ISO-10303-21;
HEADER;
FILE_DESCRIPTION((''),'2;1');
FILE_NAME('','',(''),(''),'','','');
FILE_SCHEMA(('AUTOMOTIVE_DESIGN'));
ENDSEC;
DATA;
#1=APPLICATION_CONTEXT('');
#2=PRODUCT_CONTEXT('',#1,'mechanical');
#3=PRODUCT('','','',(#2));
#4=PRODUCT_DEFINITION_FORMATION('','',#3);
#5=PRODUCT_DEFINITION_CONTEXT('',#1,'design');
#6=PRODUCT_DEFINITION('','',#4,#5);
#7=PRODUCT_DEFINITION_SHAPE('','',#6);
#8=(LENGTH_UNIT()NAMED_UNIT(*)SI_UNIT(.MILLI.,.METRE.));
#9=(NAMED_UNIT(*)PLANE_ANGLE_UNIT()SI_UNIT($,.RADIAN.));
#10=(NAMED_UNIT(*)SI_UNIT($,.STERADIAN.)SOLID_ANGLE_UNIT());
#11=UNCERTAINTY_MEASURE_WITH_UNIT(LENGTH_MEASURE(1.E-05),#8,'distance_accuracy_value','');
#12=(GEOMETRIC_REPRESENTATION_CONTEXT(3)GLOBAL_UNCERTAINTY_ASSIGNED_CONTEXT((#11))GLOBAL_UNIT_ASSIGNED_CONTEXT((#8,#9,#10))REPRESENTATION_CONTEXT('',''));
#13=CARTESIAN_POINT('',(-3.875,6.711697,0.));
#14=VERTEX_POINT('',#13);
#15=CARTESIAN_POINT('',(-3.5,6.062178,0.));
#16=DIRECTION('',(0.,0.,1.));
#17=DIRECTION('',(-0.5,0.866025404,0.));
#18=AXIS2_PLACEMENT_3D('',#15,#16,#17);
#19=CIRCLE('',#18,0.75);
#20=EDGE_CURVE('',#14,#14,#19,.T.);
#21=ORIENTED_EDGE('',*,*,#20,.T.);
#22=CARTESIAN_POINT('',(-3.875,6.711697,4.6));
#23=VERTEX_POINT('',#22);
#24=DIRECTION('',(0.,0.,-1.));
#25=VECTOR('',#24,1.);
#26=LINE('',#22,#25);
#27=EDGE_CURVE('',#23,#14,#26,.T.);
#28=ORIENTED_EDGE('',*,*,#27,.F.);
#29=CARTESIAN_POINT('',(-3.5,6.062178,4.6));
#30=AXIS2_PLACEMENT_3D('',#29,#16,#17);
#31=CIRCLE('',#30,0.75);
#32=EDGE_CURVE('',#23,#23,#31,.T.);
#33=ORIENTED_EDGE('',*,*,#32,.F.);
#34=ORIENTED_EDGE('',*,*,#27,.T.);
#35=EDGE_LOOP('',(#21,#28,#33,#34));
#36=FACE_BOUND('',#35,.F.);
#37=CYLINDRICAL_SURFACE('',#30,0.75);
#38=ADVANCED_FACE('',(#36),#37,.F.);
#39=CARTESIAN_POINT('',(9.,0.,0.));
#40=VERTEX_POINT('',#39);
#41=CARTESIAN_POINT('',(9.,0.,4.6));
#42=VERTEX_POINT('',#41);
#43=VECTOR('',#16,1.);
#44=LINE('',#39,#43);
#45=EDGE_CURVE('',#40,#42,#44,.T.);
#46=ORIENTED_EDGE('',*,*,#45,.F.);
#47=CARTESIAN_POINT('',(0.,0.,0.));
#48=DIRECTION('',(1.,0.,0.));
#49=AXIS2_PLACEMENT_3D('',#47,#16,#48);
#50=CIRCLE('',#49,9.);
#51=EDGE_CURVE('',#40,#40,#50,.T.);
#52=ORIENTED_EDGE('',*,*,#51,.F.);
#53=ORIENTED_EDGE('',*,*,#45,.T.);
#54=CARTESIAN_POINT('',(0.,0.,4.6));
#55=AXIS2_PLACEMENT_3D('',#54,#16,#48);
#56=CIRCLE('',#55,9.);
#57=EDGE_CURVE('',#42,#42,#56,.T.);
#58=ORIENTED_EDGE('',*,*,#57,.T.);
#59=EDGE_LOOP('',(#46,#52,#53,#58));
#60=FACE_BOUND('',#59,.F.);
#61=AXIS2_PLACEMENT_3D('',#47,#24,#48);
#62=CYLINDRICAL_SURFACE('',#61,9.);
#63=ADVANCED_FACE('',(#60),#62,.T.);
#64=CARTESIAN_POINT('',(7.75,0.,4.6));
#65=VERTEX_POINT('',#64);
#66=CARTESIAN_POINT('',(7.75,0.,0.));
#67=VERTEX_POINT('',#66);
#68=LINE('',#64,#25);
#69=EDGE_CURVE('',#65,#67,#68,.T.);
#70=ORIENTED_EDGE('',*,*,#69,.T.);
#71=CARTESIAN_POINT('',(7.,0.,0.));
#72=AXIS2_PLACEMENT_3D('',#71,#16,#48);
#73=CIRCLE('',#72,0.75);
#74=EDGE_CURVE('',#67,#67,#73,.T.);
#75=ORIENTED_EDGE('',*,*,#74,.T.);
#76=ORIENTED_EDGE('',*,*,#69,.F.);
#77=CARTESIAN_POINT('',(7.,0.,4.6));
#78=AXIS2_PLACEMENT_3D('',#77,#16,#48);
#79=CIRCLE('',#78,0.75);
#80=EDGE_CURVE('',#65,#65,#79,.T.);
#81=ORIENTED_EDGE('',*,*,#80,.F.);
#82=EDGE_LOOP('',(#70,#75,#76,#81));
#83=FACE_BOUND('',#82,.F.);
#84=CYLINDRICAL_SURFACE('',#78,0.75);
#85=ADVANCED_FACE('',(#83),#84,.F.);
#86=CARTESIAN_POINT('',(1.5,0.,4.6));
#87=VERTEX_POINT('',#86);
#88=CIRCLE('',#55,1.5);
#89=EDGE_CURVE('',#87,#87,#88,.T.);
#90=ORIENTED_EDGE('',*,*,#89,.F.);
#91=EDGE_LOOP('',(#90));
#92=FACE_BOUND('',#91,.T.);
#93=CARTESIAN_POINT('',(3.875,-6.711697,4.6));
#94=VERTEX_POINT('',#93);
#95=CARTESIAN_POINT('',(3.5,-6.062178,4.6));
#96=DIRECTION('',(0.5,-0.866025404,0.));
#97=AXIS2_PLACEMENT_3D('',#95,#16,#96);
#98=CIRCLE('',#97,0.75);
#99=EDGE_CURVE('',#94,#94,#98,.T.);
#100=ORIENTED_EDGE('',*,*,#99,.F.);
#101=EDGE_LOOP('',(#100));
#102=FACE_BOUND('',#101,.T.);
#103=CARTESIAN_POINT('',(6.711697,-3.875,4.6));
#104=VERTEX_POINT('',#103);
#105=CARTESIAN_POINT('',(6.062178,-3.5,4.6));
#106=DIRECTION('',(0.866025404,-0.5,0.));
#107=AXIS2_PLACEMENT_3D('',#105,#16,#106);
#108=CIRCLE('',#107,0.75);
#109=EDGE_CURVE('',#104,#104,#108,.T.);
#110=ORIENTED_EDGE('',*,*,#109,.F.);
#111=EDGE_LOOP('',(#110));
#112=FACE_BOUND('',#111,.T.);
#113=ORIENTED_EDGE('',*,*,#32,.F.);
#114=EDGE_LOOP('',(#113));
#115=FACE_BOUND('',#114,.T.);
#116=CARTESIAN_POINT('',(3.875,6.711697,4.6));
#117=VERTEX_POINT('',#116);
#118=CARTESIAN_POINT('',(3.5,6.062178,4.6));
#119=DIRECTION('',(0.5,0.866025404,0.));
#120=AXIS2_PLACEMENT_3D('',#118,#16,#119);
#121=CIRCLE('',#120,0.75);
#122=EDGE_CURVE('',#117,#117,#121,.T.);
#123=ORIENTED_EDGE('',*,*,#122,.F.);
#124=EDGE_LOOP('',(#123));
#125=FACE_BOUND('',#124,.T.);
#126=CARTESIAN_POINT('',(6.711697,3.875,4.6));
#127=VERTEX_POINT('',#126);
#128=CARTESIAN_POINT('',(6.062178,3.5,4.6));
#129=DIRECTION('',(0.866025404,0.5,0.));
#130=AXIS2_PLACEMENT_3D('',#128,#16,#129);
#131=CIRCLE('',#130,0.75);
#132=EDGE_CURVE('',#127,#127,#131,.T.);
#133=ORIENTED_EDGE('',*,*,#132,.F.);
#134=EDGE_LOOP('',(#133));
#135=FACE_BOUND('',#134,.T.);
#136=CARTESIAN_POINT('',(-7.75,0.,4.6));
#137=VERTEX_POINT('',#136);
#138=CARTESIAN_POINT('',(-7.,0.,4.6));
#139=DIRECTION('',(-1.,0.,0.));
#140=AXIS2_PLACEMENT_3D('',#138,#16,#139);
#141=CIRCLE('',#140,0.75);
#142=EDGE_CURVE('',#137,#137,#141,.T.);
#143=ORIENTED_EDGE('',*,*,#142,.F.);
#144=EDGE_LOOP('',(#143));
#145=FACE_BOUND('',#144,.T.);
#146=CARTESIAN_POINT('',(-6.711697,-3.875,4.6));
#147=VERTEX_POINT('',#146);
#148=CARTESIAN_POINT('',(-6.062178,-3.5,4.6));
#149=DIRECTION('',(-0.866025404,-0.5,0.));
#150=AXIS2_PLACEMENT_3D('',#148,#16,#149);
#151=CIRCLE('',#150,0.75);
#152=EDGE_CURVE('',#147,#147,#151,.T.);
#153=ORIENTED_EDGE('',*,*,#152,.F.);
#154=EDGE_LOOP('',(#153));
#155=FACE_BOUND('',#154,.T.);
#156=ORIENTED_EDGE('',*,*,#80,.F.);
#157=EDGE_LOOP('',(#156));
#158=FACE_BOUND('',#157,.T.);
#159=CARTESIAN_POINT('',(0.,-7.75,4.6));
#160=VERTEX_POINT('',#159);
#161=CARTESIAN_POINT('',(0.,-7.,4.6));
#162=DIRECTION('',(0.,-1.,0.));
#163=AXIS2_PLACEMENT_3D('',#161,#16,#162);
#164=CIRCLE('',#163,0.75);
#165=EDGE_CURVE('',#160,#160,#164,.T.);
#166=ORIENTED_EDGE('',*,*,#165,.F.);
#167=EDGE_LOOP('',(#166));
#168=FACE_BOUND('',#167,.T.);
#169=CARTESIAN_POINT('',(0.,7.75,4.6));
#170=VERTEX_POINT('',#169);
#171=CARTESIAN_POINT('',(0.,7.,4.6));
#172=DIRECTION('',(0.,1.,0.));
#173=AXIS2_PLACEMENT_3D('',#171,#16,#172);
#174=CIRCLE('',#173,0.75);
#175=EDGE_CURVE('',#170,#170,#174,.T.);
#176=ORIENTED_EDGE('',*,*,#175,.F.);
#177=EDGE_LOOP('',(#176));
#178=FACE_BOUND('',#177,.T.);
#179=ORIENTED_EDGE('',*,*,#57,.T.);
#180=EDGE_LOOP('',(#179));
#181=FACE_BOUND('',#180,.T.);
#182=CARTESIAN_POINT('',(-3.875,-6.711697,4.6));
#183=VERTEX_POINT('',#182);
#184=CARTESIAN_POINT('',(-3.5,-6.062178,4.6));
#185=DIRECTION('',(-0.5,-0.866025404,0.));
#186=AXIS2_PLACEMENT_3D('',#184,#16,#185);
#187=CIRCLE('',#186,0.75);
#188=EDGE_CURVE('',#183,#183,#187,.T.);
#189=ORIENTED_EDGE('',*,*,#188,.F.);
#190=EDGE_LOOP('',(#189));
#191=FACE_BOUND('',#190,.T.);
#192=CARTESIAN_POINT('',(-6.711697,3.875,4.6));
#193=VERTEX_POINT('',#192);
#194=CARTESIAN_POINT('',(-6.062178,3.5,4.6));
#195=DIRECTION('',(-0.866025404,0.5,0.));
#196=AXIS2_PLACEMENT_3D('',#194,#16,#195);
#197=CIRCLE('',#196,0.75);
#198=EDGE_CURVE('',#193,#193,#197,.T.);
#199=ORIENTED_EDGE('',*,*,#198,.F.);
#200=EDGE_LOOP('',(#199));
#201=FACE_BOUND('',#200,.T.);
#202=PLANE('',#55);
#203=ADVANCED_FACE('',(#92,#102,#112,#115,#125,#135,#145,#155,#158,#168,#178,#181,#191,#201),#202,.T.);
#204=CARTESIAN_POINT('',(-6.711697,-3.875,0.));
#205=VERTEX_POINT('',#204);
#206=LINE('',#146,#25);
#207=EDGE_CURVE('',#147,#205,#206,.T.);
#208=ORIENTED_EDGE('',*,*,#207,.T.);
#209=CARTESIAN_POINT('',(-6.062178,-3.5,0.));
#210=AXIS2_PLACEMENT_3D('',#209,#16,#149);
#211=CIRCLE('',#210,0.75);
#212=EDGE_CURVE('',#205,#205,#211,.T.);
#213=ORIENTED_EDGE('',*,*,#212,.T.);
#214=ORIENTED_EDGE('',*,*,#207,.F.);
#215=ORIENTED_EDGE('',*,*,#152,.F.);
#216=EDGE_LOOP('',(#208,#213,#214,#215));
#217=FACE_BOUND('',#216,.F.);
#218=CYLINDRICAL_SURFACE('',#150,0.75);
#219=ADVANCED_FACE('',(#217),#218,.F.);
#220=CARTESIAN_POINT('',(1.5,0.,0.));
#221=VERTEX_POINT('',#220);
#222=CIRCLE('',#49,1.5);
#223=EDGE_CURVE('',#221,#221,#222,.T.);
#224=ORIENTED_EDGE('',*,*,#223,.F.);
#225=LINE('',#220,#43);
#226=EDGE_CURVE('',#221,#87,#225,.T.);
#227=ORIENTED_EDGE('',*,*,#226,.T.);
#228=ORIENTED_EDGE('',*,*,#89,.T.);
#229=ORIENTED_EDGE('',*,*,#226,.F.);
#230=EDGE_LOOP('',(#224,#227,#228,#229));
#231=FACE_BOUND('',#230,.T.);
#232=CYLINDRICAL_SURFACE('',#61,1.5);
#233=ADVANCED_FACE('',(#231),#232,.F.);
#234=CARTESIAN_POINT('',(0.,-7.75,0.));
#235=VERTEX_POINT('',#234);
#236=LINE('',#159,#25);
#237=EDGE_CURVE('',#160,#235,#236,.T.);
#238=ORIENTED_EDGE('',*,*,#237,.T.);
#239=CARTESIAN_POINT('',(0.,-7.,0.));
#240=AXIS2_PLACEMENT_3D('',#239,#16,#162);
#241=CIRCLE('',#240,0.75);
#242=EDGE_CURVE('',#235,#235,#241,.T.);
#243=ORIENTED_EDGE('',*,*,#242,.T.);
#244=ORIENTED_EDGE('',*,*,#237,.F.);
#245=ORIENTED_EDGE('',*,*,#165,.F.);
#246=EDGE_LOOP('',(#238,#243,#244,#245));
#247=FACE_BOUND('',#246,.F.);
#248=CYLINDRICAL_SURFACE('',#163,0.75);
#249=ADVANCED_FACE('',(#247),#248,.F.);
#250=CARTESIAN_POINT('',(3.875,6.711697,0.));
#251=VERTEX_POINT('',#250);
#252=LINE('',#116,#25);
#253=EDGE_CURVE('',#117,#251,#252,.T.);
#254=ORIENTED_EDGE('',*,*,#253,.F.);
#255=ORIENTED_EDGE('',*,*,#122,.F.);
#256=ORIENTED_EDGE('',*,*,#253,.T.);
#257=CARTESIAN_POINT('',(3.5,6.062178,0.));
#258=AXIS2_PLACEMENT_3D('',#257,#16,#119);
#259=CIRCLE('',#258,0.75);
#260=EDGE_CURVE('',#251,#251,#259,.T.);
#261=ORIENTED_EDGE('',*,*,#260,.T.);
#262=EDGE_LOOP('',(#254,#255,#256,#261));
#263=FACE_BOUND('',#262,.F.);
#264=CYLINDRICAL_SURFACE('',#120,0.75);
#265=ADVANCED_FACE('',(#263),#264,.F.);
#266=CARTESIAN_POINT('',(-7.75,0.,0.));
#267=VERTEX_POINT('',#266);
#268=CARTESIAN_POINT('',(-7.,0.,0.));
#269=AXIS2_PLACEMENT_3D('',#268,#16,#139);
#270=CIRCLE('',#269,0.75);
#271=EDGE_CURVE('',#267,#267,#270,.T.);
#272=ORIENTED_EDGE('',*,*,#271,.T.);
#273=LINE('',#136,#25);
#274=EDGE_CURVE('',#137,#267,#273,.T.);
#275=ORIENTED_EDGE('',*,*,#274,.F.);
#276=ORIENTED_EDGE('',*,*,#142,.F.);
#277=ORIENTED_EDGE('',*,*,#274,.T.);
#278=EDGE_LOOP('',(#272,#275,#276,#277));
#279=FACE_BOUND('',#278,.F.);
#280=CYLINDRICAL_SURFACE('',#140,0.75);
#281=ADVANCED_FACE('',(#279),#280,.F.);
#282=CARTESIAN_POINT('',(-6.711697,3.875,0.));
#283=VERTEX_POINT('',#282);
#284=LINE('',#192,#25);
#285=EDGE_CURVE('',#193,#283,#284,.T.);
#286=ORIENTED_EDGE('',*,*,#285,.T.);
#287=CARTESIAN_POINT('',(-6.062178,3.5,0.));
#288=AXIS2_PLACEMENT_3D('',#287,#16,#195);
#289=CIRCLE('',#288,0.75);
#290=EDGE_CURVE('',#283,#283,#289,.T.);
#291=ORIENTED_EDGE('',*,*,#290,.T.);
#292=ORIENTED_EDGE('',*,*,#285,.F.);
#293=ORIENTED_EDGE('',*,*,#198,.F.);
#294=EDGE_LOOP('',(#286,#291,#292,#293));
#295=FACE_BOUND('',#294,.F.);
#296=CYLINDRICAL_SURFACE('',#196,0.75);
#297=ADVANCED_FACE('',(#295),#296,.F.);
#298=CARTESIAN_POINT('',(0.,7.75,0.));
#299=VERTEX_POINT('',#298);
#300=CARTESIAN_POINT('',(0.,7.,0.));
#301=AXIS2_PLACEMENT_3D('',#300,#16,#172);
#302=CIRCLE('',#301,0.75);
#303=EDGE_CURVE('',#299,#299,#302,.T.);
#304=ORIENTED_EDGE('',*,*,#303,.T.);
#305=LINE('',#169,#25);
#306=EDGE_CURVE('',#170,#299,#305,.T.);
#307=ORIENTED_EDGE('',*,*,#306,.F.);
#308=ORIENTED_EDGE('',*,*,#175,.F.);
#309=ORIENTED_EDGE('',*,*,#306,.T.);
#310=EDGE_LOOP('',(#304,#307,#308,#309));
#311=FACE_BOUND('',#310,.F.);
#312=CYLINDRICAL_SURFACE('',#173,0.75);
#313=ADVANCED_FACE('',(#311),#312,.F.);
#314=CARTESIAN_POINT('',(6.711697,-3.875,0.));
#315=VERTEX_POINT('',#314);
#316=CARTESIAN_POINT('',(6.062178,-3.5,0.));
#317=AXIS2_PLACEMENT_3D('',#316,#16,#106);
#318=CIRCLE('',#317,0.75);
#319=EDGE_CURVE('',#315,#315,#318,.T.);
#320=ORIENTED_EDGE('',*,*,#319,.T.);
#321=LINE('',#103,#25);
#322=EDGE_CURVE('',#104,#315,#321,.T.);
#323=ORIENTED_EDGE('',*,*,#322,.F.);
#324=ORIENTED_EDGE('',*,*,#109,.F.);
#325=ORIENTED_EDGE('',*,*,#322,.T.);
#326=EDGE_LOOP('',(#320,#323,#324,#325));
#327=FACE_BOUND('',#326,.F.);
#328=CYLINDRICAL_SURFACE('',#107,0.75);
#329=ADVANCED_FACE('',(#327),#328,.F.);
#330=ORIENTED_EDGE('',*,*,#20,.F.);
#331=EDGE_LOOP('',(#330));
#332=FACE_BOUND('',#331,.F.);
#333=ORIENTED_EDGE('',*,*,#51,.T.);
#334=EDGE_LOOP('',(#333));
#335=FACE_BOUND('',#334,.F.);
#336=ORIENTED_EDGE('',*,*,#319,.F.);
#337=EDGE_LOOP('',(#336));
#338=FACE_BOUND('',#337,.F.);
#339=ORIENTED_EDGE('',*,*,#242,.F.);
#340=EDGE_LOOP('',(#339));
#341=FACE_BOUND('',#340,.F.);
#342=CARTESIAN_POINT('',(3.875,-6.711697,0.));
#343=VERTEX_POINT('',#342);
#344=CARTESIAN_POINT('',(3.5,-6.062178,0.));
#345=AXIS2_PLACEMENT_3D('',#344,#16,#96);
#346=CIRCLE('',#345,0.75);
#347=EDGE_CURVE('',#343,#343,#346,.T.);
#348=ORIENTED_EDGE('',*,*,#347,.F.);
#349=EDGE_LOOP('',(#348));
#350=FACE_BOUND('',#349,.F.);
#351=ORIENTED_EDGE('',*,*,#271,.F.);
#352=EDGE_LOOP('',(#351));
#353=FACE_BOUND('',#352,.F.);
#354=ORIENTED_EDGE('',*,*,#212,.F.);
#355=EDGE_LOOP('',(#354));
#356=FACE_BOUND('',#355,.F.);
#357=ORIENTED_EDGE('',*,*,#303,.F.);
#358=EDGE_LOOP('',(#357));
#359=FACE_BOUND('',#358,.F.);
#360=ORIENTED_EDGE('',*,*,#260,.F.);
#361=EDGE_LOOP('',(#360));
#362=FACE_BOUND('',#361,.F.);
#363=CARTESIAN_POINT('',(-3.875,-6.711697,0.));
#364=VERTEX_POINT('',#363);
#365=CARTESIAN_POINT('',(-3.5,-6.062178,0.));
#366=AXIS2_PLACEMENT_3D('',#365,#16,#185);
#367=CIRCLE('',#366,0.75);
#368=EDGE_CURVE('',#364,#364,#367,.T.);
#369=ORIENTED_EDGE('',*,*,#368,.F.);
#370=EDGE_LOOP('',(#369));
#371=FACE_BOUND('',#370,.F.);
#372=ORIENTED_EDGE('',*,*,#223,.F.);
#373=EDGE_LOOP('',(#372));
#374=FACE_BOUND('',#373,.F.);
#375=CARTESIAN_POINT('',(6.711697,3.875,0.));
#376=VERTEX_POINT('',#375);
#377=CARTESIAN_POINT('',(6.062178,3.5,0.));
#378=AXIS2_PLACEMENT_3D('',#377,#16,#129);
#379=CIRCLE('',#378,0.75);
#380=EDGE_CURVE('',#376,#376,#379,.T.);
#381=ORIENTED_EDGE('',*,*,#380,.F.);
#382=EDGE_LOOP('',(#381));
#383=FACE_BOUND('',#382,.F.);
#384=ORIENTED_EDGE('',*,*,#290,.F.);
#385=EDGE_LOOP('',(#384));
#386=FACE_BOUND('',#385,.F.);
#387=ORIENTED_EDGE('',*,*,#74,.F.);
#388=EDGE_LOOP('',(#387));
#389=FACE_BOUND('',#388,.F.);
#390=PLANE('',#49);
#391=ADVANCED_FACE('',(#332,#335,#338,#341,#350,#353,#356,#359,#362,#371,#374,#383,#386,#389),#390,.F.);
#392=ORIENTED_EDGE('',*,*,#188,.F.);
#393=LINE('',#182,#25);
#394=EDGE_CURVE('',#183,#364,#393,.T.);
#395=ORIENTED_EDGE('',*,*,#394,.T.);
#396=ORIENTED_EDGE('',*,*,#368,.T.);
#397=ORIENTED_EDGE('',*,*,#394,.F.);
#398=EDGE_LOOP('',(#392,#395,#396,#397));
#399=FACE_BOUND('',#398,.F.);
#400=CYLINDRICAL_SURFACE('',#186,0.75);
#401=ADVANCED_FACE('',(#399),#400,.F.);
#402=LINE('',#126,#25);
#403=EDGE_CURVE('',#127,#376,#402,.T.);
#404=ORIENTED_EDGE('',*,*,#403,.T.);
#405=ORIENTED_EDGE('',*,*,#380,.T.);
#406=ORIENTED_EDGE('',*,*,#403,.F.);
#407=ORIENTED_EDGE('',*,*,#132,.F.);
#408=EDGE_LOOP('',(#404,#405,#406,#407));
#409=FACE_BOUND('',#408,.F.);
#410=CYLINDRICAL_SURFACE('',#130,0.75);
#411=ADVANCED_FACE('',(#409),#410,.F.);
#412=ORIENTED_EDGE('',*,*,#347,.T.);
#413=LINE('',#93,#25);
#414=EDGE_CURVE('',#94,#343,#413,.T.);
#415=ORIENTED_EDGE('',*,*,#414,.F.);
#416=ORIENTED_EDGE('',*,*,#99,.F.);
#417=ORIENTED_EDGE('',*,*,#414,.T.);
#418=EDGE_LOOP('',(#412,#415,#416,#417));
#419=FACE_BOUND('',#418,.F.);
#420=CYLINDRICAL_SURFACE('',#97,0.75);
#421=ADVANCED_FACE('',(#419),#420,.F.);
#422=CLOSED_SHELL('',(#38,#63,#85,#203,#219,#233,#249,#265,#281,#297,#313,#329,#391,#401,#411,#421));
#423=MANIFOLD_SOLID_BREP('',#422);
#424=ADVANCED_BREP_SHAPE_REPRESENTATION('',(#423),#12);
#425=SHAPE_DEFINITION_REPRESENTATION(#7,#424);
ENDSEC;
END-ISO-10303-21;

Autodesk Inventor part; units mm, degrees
ref_plane "YZ Plane" through (0, 0, 0) normal (1, 0, 0) x (0, 1, 0)
ref_plane "XZ Plane" through (0, 0, 0) normal (0, 1, 0) x (-1, 0, 0)
ref_plane "XY Plane" through (0, 0, 0) normal (0, 0, 1) x (1, 0, 0)
sketch "Sketch1" plane through (0, 0, 0) normal (0, 0, 1) x (1, 0, 0)
  circle A0 centre (0, 0) radius 9
  circle A1 centre (0, 0) radius 1.5
  dimension "d0" = 18
  dimension "d1" = 3
extrude "Extrusion1" add sketch "Sketch1" along normal blind 4.6
sketch "Sketch2" plane through (0, 0, 4.6) normal (0, 0, 1) x (1, 0, 0)
  circle A0 centre (7, 0) radius 0.75
  point P0 (0, 0)
  dimension "d4" = 7
  dimension "d5" = 1.5
extrude "Extrusion2" cut sketch "Sketch2" against normal blind 5
pattern_circular "Circular Pattern1" count 12 over 360 about axis through (0, 0, 0) along (0, 0, 1) of "Extrusion2"
properties part number "herkulex spinner"
